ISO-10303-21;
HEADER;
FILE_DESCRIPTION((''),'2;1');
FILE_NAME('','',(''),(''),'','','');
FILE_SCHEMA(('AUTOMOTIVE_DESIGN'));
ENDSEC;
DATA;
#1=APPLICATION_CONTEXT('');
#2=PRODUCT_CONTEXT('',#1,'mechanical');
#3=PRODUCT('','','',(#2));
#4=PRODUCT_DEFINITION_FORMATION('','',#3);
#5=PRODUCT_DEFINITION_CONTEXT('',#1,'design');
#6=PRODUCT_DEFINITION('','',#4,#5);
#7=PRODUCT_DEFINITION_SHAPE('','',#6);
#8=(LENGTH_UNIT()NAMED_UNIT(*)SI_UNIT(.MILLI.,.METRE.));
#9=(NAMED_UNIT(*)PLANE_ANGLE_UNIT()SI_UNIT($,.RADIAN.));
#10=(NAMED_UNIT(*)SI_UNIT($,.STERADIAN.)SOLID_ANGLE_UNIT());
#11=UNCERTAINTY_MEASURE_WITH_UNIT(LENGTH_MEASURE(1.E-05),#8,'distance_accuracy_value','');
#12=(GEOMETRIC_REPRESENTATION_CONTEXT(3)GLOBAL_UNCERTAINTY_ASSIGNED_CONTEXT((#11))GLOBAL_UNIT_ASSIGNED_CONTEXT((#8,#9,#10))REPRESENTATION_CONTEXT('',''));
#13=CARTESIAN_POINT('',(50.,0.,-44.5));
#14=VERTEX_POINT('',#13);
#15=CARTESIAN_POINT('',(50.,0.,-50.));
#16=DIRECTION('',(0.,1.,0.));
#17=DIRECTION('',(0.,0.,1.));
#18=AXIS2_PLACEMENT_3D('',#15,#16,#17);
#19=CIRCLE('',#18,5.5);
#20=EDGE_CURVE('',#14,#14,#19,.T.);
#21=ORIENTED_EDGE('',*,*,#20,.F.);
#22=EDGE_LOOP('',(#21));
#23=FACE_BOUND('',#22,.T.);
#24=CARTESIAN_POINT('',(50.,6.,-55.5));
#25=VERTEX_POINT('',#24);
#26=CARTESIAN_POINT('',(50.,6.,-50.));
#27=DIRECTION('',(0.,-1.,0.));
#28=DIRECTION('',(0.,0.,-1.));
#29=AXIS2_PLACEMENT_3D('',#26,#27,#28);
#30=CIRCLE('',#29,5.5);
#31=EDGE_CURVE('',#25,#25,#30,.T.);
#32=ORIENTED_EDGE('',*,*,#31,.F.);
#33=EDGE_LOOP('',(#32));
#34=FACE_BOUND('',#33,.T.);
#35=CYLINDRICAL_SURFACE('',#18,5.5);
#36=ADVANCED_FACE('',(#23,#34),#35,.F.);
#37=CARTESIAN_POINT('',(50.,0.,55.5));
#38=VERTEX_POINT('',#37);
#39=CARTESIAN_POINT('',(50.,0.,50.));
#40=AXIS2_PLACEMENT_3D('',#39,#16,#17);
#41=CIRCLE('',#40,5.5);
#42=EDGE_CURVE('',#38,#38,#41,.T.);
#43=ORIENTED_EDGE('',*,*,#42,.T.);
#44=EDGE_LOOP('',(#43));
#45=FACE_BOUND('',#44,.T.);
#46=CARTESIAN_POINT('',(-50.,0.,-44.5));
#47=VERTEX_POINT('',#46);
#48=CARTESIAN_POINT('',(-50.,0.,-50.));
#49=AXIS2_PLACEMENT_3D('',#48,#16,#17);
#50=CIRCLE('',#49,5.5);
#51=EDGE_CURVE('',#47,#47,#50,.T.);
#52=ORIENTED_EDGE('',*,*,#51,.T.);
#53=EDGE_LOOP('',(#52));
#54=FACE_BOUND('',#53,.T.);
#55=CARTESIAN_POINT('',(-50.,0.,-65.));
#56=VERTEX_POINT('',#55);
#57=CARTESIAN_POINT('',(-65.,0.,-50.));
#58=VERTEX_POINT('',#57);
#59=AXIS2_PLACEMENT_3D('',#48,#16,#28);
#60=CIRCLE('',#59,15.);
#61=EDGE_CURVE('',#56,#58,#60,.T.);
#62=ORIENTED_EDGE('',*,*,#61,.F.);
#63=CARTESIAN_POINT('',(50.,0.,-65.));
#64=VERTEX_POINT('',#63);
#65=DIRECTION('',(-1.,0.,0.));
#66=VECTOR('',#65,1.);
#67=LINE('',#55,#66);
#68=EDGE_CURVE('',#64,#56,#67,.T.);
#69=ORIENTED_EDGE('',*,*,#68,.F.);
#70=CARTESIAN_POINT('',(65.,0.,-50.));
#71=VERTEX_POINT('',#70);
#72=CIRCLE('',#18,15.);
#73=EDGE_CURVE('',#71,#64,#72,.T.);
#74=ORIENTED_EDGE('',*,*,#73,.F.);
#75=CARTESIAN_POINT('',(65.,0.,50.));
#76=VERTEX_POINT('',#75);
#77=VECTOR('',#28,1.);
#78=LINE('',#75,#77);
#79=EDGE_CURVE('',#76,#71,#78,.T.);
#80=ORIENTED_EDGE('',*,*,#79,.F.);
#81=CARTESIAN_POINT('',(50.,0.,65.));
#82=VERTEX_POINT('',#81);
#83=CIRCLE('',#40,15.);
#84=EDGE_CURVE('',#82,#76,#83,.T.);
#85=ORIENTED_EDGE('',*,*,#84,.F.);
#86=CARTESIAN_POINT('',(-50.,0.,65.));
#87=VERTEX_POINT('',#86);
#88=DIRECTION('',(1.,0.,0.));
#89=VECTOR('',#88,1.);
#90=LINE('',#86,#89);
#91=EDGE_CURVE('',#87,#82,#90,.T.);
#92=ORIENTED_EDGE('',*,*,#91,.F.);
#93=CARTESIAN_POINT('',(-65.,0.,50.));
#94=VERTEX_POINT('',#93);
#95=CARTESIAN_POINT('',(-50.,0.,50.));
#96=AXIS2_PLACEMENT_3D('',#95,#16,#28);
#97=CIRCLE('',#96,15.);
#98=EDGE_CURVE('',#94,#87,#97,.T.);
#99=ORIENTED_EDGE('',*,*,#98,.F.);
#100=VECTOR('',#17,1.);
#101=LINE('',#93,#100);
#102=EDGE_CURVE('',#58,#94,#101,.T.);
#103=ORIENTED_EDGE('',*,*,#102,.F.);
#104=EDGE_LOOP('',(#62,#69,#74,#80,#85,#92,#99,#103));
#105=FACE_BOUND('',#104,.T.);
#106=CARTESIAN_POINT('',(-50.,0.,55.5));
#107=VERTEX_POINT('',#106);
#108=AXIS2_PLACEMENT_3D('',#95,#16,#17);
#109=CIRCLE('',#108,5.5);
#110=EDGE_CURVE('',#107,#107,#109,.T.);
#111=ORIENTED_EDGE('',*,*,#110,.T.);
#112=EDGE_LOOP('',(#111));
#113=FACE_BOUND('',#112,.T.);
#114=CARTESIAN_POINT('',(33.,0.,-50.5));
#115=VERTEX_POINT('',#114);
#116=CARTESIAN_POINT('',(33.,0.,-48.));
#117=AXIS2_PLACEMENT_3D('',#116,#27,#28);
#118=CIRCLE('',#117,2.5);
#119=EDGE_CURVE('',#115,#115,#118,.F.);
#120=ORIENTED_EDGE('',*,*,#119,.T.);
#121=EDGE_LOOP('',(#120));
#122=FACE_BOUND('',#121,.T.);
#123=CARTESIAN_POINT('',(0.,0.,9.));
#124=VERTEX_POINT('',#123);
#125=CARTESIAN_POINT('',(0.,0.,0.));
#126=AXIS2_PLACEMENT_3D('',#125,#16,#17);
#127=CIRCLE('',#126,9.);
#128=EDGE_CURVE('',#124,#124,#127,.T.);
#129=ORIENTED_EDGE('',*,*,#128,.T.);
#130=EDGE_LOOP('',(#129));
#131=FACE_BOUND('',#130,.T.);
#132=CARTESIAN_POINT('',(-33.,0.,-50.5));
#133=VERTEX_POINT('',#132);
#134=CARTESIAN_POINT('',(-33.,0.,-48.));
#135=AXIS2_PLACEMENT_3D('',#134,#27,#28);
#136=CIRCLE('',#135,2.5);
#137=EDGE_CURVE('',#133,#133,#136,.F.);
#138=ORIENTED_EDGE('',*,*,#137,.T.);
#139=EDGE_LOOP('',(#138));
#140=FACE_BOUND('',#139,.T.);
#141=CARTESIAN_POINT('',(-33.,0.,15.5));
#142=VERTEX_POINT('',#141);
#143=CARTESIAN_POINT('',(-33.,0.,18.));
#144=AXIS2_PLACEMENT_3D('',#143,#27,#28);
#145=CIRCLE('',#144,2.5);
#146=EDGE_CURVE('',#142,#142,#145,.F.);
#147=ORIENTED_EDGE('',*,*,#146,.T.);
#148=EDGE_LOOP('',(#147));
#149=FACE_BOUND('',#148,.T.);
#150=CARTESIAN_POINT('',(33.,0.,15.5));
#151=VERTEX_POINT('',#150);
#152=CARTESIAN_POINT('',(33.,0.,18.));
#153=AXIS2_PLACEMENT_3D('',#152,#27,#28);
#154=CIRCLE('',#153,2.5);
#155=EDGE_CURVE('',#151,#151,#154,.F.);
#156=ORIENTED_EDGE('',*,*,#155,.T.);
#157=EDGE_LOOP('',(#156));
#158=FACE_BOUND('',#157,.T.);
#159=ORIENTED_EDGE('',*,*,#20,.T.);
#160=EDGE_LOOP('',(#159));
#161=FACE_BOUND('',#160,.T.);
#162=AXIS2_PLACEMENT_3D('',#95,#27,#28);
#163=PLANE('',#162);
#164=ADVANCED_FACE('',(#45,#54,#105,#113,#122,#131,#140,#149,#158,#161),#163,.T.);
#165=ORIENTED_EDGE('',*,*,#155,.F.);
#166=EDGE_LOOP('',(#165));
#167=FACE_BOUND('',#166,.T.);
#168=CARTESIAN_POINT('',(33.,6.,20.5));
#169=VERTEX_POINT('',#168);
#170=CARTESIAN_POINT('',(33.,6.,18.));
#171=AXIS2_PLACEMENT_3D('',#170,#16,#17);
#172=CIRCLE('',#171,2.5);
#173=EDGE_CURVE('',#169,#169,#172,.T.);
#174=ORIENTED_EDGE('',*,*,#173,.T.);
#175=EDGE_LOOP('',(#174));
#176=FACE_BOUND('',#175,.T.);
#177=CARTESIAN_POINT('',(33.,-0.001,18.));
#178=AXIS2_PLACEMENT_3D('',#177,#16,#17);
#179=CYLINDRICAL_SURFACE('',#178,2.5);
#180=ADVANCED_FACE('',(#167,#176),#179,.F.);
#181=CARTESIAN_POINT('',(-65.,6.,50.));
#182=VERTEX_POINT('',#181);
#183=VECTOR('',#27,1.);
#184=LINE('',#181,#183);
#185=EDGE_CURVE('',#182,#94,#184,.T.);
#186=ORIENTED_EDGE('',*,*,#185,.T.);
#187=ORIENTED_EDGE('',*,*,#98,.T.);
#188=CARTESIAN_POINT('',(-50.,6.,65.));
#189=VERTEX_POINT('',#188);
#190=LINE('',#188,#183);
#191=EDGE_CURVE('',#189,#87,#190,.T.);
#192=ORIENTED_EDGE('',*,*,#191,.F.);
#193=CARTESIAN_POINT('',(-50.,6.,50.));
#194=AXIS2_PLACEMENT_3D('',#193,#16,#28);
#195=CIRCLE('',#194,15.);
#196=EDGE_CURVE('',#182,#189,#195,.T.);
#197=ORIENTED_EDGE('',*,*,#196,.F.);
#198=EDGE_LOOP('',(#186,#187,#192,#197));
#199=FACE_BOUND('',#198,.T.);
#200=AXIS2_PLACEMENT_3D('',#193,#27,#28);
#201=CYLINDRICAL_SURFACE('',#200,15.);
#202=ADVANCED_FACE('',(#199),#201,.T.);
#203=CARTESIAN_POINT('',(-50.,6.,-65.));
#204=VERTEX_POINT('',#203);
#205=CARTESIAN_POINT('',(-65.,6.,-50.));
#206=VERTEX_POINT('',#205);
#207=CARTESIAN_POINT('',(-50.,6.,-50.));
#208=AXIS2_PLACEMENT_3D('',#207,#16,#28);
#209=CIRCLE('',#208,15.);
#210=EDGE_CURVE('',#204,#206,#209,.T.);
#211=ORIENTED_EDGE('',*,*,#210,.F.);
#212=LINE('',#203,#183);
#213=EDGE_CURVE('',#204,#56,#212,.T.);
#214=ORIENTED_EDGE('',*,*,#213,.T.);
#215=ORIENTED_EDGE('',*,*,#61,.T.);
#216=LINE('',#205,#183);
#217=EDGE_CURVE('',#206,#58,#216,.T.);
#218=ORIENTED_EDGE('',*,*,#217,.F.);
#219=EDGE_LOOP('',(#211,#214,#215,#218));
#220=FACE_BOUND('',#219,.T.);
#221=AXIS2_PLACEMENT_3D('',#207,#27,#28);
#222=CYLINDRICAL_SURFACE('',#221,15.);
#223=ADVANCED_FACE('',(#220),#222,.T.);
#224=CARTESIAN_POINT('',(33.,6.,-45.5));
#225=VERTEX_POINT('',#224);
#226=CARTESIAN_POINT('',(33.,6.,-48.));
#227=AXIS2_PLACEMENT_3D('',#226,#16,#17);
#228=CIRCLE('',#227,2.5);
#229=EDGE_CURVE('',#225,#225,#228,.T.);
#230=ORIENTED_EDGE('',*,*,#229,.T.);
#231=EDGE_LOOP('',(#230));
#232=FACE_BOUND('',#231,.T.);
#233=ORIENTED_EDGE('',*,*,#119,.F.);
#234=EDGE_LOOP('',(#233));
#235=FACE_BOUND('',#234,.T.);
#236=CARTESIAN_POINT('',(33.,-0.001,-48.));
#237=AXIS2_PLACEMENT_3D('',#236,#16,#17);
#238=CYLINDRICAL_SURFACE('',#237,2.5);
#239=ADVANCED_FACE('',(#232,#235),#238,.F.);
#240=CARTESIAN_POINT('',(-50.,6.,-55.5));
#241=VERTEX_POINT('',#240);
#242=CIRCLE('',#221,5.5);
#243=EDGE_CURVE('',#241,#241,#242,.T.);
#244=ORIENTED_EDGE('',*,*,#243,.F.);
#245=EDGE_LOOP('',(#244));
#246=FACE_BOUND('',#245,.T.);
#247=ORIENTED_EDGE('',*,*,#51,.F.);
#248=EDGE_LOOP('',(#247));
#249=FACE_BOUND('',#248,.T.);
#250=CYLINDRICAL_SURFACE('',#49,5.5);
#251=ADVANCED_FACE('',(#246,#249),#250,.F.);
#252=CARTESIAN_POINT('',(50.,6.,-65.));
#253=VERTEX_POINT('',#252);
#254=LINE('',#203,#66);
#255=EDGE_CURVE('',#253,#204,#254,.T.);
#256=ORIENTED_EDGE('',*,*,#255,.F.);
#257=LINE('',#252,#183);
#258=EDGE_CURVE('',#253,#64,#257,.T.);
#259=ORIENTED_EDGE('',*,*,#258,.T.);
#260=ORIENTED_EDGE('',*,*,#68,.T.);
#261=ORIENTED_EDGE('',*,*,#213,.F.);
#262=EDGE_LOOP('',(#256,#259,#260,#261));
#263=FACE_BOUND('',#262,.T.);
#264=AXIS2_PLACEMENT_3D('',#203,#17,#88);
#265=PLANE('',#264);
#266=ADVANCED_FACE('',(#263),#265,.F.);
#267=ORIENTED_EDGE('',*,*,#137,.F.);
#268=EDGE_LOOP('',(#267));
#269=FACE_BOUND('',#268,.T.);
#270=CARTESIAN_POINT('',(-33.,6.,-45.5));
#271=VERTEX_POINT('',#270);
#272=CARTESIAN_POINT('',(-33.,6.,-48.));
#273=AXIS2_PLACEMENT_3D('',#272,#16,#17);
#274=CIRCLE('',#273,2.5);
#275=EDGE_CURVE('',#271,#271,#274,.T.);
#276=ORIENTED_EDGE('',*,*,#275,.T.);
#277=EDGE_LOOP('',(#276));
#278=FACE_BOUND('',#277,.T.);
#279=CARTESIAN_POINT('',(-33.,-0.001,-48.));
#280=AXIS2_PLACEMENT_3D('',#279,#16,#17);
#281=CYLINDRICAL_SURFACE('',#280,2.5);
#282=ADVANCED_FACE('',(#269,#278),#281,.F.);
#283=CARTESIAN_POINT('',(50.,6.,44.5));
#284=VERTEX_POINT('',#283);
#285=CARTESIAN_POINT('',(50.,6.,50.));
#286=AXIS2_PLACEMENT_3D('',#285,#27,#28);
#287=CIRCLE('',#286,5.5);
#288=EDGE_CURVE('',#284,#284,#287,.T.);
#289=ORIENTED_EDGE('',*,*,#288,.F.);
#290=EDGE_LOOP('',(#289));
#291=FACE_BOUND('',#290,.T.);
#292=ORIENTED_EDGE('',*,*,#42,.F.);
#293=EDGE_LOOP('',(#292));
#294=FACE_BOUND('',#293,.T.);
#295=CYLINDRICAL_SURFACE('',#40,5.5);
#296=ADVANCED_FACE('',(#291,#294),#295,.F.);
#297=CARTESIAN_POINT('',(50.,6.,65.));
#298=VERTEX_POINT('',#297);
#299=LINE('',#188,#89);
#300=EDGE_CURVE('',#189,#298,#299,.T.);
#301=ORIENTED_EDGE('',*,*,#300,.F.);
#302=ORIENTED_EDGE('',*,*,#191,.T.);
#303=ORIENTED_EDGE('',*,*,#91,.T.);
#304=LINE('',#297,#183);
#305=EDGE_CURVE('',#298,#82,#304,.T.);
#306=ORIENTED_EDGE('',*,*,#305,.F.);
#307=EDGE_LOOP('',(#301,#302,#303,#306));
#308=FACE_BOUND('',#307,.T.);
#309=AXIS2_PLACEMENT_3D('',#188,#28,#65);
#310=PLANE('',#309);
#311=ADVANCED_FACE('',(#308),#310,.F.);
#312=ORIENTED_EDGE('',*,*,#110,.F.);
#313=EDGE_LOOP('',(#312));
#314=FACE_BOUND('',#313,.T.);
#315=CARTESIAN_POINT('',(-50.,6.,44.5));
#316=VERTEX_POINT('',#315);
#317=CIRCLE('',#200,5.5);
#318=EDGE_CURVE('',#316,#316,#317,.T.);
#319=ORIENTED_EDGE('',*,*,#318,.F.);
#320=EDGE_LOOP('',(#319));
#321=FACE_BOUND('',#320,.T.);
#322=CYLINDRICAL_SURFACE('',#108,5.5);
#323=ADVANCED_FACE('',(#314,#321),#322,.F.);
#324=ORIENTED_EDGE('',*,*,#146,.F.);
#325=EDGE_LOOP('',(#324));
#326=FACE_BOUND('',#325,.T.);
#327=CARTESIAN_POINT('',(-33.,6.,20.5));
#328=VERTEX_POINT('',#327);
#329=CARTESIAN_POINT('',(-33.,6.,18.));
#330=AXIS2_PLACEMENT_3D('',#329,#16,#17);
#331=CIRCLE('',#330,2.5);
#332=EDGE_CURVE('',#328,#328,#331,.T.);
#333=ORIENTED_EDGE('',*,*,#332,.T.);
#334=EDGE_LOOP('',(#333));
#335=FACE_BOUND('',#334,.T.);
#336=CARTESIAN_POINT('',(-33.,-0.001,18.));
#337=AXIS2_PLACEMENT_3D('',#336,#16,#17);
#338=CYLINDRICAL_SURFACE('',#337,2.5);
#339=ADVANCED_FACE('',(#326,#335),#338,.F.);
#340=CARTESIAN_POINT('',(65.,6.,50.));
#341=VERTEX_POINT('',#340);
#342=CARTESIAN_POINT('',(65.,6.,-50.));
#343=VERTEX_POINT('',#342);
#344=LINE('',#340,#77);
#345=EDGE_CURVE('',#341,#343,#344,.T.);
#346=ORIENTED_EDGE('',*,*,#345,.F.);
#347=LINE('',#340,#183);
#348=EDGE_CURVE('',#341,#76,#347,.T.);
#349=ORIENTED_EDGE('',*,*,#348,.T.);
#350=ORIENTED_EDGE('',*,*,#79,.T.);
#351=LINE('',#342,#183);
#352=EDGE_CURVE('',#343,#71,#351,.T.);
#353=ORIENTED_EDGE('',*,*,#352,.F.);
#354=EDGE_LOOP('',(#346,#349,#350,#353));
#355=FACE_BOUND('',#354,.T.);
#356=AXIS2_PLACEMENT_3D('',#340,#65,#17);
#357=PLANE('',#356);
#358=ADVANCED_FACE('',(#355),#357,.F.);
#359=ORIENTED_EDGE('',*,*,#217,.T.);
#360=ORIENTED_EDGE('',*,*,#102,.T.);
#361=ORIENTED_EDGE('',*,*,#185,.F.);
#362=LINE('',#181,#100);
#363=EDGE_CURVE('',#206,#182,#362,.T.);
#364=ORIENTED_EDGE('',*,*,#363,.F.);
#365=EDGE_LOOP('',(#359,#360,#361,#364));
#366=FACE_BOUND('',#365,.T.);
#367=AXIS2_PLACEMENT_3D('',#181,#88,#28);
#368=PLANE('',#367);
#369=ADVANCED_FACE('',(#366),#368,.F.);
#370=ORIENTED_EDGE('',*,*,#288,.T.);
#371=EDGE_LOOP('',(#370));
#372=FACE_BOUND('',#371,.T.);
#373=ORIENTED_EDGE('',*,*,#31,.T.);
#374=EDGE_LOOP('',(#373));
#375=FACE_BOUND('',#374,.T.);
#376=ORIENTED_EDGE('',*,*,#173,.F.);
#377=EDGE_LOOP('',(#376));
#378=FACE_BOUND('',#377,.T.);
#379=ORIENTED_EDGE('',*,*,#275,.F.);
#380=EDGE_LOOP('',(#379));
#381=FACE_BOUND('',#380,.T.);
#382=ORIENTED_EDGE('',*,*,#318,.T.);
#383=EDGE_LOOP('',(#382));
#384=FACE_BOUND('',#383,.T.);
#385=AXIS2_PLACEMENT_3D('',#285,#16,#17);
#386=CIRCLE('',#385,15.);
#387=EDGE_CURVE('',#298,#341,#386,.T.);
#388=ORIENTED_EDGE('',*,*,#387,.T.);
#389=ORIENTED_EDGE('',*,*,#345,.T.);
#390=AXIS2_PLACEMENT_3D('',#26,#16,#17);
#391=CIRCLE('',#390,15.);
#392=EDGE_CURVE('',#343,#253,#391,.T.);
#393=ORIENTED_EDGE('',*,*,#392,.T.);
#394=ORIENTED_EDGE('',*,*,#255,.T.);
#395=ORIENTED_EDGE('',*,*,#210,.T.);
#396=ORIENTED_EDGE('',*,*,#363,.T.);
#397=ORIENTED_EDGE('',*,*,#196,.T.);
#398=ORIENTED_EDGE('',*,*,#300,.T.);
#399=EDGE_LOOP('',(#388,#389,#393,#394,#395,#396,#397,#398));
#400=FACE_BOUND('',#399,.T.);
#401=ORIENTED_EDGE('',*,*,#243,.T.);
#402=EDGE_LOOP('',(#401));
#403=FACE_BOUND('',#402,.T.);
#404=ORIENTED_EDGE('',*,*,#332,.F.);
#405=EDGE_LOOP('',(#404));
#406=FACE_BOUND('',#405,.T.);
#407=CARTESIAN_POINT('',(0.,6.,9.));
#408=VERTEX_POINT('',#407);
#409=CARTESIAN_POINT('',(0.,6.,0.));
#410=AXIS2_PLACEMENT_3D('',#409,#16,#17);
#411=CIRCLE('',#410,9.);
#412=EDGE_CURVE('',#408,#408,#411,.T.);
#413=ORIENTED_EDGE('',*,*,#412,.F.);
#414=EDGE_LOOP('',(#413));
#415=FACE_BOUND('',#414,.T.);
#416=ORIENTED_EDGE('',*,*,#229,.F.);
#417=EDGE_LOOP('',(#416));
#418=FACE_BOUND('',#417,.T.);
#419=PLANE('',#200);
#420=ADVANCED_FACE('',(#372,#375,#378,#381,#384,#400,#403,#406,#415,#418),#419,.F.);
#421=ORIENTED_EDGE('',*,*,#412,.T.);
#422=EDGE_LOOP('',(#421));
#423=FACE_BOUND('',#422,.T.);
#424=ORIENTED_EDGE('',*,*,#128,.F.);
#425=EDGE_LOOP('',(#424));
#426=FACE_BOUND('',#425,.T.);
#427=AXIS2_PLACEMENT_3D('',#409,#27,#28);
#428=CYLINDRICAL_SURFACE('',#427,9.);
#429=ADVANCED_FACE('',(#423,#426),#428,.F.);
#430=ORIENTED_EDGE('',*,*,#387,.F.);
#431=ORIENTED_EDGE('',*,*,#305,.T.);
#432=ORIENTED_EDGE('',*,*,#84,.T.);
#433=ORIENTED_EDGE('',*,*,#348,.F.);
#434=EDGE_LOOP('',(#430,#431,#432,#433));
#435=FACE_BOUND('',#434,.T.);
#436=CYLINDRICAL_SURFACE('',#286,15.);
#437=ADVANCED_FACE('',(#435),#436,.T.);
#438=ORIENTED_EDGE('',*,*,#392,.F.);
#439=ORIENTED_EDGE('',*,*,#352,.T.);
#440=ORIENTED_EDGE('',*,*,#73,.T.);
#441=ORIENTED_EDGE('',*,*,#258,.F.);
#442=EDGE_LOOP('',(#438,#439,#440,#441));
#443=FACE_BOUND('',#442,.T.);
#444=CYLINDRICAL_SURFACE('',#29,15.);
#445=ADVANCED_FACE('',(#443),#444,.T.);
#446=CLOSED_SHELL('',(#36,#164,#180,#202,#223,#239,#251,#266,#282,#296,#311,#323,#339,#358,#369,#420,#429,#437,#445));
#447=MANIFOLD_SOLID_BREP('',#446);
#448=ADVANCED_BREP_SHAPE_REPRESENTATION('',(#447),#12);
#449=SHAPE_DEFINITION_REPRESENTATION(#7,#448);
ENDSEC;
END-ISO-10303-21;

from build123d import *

# Parameters (mm, degrees)
SKETCH1_R               = 9
BOSS_EXTRUDE1_DEPTH     = 6
SKETCH3_R               = 5.5
CUT_EXTRUDE2_DEPTH      = 1
CUT_EXTRUDE2_DEPTH_BACK = 7
CUT_EXTRUDE3_REACH      = 8
SKETCH6_R               = 2.5


with BuildPart() as part:
    # Sketch1 → Boss-Extrude1 (new body)
    with BuildSketch(Plane(origin=(0, 0, 0), x_dir=(1, 0, 0), z_dir=(0, 1, 0))):
        with BuildLine():
            Line((-50, -65), (50, -65))
            ThreePointArc((50, -65), (60.606601718, -60.606601718), (65, -50))
            Line((65, -50), (65, 50))
            ThreePointArc((65, 50), (60.606601718, 60.606601718), (50, 65))
            Line((50, 65), (-50, 65))
            ThreePointArc((-50, 65), (-60.606601718, 60.606601718), (-65, 50))
            Line((-65, 50), (-65, -50))
            ThreePointArc((-65, -50), (-60.606601718, -60.606601718), (-50, -65))
        make_face()
        Circle(SKETCH1_R, mode=Mode.SUBTRACT)
    extrude(amount=BOSS_EXTRUDE1_DEPTH)

    # Sketch3 → Cut-Extrude2 (cut, two sides)
    with BuildSketch(Plane(origin=(0, 6, 0), x_dir=(1, 0, 0), z_dir=(0, 1, 0))) as cut_extrude2_sk:
        with Locations((-50, 50)):
            Circle(SKETCH3_R)
        with Locations((50, 50)):
            Circle(SKETCH3_R)
        with Locations((50, -50)):
            Circle(SKETCH3_R)
        with Locations((-50, -50)):
            Circle(SKETCH3_R)
    extrude(amount=CUT_EXTRUDE2_DEPTH, mode=Mode.SUBTRACT)
    extrude(cut_extrude2_sk.sketch, amount=-CUT_EXTRUDE2_DEPTH_BACK, mode=Mode.SUBTRACT)

    # Sketch6 → Cut-Extrude3 (cut, up to next)
    with BuildSketch(Plane(origin=(0, 6, 0), x_dir=(1, 0, 0), z_dir=(0, 1, 0)), mode=Mode.PRIVATE) as cut_extrude3_sk1:
        with Locations((33, 48)):
            Circle(SKETCH6_R)
    cut_extrude3_tool1 = extrude(cut_extrude3_sk1.sketch, amount=-CUT_EXTRUDE3_REACH, mode=Mode.PRIVATE) & part.part
    add(cut_extrude3_tool1.solids().sort_by_distance((33, 6, -48))[0], mode=Mode.SUBTRACT)
    # Sketch6 → Cut-Extrude3 (cut, up to next)
    with BuildSketch(Plane(origin=(0, 6, 0), x_dir=(1, 0, 0), z_dir=(0, 1, 0)), mode=Mode.PRIVATE) as cut_extrude3_sk2:
        with Locations((33, -18)):
            Circle(SKETCH6_R)
    cut_extrude3_tool2 = extrude(cut_extrude3_sk2.sketch, amount=-CUT_EXTRUDE3_REACH, mode=Mode.PRIVATE) & part.part
    add(cut_extrude3_tool2.solids().sort_by_distance((33, 6, 18))[0], mode=Mode.SUBTRACT)
    # Sketch6 → Cut-Extrude3 (cut, up to next)
    with BuildSketch(Plane(origin=(0, 6, 0), x_dir=(1, 0, 0), z_dir=(0, 1, 0)), mode=Mode.PRIVATE) as cut_extrude3_sk3:
        with Locations((-33, 48)):
            Circle(SKETCH6_R)
    cut_extrude3_tool3 = extrude(cut_extrude3_sk3.sketch, amount=-CUT_EXTRUDE3_REACH, mode=Mode.PRIVATE) & part.part
    add(cut_extrude3_tool3.solids().sort_by_distance((-33, 6, -48))[0], mode=Mode.SUBTRACT)
    # Sketch6 → Cut-Extrude3 (cut, up to next)
    with BuildSketch(Plane(origin=(0, 6, 0), x_dir=(1, 0, 0), z_dir=(0, 1, 0)), mode=Mode.PRIVATE) as cut_extrude3_sk4:
        with Locations((-33, -18)):
            Circle(SKETCH6_R)
    cut_extrude3_tool4 = extrude(cut_extrude3_sk4.sketch, amount=-CUT_EXTRUDE3_REACH, mode=Mode.PRIVATE) & part.part
    add(cut_extrude3_tool4.solids().sort_by_distance((-33, 6, 18))[0], mode=Mode.SUBTRACT)


solid = part.part
